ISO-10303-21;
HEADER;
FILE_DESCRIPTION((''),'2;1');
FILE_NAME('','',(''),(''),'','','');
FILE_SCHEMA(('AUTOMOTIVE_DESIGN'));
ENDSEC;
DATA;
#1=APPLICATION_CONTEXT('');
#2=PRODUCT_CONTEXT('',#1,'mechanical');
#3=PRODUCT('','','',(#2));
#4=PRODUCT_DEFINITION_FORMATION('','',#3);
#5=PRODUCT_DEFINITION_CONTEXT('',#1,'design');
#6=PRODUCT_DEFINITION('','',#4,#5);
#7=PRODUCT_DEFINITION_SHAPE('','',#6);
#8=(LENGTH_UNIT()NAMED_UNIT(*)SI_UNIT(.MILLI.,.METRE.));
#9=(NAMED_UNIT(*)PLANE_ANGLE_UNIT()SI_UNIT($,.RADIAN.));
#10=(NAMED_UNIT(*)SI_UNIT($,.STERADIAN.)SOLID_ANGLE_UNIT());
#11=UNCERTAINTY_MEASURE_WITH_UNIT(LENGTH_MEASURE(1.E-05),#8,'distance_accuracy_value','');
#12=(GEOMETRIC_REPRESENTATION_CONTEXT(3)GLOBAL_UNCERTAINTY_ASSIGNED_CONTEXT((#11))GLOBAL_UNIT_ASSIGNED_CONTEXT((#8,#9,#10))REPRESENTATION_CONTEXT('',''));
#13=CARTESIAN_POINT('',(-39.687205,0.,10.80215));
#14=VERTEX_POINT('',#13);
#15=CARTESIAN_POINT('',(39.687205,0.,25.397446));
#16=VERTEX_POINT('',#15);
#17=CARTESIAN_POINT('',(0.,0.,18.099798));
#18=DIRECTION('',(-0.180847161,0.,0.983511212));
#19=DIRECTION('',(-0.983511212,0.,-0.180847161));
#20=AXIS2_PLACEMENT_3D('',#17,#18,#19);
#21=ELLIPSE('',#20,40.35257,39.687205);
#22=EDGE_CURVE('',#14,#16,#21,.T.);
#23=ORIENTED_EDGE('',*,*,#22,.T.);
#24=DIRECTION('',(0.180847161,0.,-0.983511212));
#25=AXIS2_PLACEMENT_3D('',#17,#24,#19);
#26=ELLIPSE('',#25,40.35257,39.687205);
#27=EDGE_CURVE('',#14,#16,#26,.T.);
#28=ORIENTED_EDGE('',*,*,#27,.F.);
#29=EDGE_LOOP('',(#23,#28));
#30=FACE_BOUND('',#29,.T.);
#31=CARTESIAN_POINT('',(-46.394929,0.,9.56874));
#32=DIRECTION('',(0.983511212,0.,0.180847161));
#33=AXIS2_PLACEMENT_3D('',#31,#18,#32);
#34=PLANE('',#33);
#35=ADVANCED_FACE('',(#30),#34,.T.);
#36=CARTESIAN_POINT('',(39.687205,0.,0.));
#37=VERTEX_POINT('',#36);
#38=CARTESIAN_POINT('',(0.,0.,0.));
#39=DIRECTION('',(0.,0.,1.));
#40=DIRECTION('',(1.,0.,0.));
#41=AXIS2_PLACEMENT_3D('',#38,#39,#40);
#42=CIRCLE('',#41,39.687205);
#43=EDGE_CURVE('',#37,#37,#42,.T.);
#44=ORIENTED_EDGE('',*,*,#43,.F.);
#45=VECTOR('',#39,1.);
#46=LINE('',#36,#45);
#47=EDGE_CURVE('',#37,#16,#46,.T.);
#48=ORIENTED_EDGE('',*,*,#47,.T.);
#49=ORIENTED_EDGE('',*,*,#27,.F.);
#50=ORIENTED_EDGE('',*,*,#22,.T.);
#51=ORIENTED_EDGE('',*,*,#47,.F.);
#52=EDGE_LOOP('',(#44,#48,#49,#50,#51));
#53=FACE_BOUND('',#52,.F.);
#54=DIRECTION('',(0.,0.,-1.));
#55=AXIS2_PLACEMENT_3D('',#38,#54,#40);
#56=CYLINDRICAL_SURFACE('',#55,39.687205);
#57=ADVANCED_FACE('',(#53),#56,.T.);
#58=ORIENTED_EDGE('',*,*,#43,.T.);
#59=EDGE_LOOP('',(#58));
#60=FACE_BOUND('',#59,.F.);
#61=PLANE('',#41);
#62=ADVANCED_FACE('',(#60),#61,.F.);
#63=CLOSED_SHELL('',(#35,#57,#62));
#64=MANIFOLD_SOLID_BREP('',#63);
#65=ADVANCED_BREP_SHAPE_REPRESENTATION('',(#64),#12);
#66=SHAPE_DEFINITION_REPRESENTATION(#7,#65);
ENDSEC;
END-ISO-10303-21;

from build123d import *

# Parameters (mm, degrees)
F0_R          = 39.687205
F1_DEPTH      = 25.4
F3_DEPTH      = 39.688205
F3_DEPTH_BACK = 39.688205


with BuildPart() as f1:
    # F0 (on Top) → F1 (new body)
    with BuildSketch(Plane.XY):
        Circle(F0_R)
    extrude(amount=F1_DEPTH)

    # F2 (on Front) → F3 (cut, two sides)
    with BuildSketch(Plane.XZ) as f3_sk:
        Polygon((-46.394929, 9.56874), (39.807133, 25.419498), (-46.394929, 31.824939), align=None)
    extrude(amount=F3_DEPTH, mode=Mode.SUBTRACT)
    extrude(f3_sk.sketch, amount=-F3_DEPTH_BACK, mode=Mode.SUBTRACT)


solid = f1.part
